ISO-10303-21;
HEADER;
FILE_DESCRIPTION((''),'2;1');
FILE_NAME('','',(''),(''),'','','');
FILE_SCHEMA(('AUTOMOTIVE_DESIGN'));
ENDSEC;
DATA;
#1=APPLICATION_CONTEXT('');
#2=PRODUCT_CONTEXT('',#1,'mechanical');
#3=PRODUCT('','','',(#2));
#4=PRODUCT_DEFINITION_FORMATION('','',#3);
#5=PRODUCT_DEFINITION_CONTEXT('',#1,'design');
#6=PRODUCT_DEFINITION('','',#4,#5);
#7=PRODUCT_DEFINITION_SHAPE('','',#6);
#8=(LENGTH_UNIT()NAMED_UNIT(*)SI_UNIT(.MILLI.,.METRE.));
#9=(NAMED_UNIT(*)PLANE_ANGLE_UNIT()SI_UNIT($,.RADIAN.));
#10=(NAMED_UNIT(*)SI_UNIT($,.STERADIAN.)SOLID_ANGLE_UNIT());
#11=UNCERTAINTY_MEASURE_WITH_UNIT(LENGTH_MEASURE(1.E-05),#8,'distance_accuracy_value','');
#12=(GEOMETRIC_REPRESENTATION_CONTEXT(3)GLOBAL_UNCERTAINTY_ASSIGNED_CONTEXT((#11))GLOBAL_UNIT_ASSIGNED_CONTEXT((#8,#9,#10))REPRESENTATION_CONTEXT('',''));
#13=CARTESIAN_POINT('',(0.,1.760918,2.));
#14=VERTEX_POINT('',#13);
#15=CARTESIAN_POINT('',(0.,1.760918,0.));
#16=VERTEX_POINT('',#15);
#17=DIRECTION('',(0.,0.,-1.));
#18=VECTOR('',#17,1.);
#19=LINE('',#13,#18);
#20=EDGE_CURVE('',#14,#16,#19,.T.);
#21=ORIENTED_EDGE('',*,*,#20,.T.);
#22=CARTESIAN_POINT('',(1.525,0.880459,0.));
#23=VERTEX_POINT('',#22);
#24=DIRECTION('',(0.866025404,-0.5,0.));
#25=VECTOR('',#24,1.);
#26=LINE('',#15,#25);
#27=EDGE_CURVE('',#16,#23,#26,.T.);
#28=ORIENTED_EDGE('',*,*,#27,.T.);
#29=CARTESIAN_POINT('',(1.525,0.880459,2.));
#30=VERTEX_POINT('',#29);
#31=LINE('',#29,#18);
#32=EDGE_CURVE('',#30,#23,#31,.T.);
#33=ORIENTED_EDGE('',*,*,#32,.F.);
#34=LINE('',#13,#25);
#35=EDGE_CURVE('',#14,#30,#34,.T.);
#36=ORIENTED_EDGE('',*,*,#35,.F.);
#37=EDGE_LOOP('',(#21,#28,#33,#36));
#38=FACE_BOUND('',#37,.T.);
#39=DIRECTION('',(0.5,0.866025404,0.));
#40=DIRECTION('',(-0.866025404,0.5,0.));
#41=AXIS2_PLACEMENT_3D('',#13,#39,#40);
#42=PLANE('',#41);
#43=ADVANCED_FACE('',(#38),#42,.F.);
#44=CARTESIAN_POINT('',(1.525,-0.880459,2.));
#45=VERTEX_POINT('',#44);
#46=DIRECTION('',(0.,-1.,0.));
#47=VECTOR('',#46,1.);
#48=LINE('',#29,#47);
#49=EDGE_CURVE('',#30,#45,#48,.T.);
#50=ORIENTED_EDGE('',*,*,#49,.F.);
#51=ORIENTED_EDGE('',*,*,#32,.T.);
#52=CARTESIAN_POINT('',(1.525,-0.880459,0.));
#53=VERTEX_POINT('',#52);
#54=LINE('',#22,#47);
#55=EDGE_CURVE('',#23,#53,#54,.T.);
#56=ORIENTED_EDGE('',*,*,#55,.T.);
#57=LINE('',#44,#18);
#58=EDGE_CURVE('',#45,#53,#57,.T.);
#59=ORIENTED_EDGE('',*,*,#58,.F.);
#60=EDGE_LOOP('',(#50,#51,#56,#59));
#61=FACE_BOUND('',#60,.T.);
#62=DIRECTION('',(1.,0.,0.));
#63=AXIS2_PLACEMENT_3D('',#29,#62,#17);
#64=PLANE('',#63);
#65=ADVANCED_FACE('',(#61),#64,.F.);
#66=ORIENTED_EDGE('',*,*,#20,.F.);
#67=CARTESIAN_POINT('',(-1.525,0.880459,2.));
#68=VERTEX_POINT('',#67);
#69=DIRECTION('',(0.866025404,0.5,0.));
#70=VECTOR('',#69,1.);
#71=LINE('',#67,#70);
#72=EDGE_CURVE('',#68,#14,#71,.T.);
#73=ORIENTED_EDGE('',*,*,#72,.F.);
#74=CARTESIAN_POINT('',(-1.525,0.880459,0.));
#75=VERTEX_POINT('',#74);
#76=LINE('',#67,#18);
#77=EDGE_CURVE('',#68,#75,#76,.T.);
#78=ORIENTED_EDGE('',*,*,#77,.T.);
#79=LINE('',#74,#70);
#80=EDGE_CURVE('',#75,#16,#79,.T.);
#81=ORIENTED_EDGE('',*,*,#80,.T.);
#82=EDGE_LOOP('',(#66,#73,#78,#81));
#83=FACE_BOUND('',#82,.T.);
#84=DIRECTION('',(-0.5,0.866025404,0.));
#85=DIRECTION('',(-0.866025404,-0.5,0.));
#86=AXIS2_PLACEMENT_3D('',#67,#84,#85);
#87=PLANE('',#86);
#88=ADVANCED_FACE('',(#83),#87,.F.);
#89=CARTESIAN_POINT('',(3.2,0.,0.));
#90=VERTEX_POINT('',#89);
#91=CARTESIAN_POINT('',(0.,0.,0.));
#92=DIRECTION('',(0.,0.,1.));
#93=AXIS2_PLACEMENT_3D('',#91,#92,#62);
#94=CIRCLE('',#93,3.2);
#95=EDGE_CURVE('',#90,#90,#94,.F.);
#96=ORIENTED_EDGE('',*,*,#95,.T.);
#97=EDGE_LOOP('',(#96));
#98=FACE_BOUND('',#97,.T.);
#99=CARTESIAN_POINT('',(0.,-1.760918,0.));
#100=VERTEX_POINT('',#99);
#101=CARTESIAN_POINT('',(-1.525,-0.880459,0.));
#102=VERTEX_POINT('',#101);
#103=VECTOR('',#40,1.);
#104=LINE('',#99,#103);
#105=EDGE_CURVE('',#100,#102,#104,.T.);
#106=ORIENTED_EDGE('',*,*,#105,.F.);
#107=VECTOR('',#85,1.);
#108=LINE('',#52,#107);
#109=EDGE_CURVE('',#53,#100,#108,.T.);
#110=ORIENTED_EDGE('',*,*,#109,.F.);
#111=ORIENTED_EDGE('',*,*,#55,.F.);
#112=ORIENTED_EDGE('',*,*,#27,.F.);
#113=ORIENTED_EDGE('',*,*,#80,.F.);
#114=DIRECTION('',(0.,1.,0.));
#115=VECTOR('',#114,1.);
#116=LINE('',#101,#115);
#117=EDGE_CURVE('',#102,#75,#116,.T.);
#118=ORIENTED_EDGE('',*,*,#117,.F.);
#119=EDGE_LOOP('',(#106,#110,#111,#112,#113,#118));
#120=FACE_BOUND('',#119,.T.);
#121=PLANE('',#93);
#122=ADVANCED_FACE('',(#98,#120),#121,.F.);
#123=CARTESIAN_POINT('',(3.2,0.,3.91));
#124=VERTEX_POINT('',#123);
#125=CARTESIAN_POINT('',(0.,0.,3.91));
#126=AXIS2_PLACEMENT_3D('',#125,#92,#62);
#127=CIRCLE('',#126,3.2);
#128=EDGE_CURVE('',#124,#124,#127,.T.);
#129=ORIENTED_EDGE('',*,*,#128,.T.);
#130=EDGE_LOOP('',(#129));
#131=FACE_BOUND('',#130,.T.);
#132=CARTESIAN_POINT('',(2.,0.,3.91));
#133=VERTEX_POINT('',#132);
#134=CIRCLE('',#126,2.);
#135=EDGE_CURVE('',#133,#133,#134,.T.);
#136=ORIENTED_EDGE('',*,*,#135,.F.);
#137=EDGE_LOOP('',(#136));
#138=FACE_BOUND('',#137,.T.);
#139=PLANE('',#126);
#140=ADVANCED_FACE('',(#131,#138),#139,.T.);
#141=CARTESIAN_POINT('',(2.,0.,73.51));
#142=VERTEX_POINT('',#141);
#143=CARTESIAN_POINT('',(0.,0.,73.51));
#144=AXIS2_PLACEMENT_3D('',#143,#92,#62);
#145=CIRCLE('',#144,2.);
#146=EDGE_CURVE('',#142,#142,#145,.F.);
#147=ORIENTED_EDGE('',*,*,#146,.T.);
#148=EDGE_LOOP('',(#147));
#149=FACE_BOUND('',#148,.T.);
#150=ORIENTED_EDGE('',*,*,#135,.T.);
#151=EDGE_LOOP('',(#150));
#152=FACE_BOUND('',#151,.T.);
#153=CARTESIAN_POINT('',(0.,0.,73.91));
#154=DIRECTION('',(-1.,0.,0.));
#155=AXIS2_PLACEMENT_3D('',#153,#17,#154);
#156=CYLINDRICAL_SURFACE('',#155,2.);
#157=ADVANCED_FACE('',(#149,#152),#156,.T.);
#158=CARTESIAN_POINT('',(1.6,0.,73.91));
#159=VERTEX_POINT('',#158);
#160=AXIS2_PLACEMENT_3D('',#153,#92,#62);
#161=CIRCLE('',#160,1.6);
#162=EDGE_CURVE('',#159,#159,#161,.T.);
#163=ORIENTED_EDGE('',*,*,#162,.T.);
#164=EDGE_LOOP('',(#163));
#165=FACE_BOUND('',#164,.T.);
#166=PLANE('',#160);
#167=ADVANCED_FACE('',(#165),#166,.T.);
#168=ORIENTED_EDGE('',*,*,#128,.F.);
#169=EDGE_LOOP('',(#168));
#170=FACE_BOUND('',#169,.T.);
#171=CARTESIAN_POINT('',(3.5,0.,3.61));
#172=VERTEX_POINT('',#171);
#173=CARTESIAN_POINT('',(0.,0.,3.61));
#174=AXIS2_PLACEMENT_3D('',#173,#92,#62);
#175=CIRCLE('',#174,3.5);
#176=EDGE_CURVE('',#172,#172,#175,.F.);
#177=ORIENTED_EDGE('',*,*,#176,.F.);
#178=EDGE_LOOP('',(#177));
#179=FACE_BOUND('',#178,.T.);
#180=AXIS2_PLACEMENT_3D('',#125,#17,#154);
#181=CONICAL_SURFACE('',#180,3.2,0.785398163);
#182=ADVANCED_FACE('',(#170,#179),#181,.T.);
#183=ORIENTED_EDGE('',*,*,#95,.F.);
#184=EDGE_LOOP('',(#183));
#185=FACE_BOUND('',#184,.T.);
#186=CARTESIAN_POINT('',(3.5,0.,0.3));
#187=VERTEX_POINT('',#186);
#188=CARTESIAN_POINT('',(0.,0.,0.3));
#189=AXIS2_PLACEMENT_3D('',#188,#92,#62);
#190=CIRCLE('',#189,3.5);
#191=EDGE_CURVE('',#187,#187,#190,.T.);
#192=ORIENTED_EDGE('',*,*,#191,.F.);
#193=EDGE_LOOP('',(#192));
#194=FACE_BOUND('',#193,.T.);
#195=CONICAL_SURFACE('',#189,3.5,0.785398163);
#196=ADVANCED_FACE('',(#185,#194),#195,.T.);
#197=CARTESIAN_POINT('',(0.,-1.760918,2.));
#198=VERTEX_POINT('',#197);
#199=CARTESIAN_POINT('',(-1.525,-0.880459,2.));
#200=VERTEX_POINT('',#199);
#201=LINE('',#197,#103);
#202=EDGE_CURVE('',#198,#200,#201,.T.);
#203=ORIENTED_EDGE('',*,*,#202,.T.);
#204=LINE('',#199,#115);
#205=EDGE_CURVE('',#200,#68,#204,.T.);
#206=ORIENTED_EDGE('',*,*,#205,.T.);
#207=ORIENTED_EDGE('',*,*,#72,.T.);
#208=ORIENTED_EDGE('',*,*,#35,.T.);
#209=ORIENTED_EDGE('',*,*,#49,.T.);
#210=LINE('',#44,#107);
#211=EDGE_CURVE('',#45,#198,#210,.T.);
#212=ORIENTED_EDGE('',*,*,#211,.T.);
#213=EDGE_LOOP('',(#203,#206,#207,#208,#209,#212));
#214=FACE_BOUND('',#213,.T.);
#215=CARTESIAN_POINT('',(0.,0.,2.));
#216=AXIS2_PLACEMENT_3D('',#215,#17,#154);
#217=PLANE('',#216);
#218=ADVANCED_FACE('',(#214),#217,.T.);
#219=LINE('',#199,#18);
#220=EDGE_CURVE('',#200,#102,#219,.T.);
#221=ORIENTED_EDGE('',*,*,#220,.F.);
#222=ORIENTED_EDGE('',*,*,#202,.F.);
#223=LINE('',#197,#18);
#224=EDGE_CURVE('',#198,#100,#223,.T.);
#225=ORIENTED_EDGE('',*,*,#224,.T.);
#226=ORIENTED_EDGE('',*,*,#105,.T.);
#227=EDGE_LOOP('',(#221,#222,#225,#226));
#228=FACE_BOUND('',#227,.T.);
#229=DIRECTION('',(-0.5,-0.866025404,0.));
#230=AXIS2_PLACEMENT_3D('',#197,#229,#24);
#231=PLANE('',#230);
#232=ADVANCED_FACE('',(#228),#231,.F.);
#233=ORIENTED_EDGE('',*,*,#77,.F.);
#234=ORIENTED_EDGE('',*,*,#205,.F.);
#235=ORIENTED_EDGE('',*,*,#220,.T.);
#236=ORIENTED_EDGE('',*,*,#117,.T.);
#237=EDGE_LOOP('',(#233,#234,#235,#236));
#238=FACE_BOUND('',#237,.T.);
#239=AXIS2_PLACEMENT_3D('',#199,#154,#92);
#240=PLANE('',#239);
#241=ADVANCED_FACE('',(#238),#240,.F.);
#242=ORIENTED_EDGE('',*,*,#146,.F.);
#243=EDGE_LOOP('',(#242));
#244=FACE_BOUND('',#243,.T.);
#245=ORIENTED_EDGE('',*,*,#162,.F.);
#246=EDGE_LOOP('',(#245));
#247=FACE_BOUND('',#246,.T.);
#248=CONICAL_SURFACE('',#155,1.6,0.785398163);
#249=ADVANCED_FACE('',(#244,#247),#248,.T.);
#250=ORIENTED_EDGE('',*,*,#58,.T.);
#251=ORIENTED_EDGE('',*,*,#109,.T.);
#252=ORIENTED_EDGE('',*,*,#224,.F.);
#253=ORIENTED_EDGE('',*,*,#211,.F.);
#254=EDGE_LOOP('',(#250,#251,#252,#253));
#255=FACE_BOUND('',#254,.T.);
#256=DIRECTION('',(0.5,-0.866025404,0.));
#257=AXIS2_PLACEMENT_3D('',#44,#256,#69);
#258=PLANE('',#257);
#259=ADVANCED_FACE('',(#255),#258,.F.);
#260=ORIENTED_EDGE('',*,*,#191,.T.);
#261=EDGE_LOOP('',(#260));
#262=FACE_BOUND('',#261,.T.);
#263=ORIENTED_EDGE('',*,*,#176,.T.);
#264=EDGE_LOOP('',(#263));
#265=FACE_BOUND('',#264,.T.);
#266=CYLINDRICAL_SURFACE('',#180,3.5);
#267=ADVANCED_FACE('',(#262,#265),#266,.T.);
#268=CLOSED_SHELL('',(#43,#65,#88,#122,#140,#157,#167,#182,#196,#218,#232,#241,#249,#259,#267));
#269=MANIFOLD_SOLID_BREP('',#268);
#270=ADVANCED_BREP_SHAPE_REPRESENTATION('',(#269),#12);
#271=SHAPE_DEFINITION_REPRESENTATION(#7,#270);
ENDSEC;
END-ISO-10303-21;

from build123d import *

# Parameters (mm, degrees)
SKETCH_1_R          = 3.5
EXTRUDE_1_DEPTH     = 3.91
SKETCH_2_R          = 2
EXTRUDE_2_DEPTH     = 70
CUT_EXTRUDE_1_DEPTH = 2
CHAMFER_1_SIZE      = 0.4
CHAMFER_2_SIZE      = 0.3


with BuildPart() as part:
    # 草图1 → 凸台-拉伸1 (new body)
    with BuildSketch(Plane.XY):
        Circle(SKETCH_1_R)
    extrude(amount=EXTRUDE_1_DEPTH)

    # 草图2 → 凸台-拉伸2 (add)
    with BuildSketch(Plane.XY.offset(3.91)):
        Circle(SKETCH_2_R)
    extrude(amount=EXTRUDE_2_DEPTH)

    # 草图3 → 切除-拉伸1 (cut)
    with BuildSketch(Plane(origin=(0, 0, 0), x_dir=(-1, 0, 0), z_dir=(0, 0, -1))):
        Polygon((0, 1.760918321), (-1.525, 0.880459161), (-1.525, -0.880459161), (0, -1.760918321), (1.525, -0.880459161), (1.525, 0.880459161), align=None)
    extrude(amount=-CUT_EXTRUDE_1_DEPTH, mode=Mode.SUBTRACT)

    # 倒角1
    chamfer_1_edges = [part.edges().sort_by_distance(p)[0] for p in [
        (-2, 0, 73.91),
    ]]
    chamfer(chamfer_1_edges, length=CHAMFER_1_SIZE)

    # 倒角2
    chamfer_2_edges = [part.edges().sort_by_distance(p)[0] for p in [
        (-3.5, 0, 0),
        (-3.5, 0, 3.91),
    ]]
    chamfer(chamfer_2_edges, length=CHAMFER_2_SIZE)


solid = part.part
